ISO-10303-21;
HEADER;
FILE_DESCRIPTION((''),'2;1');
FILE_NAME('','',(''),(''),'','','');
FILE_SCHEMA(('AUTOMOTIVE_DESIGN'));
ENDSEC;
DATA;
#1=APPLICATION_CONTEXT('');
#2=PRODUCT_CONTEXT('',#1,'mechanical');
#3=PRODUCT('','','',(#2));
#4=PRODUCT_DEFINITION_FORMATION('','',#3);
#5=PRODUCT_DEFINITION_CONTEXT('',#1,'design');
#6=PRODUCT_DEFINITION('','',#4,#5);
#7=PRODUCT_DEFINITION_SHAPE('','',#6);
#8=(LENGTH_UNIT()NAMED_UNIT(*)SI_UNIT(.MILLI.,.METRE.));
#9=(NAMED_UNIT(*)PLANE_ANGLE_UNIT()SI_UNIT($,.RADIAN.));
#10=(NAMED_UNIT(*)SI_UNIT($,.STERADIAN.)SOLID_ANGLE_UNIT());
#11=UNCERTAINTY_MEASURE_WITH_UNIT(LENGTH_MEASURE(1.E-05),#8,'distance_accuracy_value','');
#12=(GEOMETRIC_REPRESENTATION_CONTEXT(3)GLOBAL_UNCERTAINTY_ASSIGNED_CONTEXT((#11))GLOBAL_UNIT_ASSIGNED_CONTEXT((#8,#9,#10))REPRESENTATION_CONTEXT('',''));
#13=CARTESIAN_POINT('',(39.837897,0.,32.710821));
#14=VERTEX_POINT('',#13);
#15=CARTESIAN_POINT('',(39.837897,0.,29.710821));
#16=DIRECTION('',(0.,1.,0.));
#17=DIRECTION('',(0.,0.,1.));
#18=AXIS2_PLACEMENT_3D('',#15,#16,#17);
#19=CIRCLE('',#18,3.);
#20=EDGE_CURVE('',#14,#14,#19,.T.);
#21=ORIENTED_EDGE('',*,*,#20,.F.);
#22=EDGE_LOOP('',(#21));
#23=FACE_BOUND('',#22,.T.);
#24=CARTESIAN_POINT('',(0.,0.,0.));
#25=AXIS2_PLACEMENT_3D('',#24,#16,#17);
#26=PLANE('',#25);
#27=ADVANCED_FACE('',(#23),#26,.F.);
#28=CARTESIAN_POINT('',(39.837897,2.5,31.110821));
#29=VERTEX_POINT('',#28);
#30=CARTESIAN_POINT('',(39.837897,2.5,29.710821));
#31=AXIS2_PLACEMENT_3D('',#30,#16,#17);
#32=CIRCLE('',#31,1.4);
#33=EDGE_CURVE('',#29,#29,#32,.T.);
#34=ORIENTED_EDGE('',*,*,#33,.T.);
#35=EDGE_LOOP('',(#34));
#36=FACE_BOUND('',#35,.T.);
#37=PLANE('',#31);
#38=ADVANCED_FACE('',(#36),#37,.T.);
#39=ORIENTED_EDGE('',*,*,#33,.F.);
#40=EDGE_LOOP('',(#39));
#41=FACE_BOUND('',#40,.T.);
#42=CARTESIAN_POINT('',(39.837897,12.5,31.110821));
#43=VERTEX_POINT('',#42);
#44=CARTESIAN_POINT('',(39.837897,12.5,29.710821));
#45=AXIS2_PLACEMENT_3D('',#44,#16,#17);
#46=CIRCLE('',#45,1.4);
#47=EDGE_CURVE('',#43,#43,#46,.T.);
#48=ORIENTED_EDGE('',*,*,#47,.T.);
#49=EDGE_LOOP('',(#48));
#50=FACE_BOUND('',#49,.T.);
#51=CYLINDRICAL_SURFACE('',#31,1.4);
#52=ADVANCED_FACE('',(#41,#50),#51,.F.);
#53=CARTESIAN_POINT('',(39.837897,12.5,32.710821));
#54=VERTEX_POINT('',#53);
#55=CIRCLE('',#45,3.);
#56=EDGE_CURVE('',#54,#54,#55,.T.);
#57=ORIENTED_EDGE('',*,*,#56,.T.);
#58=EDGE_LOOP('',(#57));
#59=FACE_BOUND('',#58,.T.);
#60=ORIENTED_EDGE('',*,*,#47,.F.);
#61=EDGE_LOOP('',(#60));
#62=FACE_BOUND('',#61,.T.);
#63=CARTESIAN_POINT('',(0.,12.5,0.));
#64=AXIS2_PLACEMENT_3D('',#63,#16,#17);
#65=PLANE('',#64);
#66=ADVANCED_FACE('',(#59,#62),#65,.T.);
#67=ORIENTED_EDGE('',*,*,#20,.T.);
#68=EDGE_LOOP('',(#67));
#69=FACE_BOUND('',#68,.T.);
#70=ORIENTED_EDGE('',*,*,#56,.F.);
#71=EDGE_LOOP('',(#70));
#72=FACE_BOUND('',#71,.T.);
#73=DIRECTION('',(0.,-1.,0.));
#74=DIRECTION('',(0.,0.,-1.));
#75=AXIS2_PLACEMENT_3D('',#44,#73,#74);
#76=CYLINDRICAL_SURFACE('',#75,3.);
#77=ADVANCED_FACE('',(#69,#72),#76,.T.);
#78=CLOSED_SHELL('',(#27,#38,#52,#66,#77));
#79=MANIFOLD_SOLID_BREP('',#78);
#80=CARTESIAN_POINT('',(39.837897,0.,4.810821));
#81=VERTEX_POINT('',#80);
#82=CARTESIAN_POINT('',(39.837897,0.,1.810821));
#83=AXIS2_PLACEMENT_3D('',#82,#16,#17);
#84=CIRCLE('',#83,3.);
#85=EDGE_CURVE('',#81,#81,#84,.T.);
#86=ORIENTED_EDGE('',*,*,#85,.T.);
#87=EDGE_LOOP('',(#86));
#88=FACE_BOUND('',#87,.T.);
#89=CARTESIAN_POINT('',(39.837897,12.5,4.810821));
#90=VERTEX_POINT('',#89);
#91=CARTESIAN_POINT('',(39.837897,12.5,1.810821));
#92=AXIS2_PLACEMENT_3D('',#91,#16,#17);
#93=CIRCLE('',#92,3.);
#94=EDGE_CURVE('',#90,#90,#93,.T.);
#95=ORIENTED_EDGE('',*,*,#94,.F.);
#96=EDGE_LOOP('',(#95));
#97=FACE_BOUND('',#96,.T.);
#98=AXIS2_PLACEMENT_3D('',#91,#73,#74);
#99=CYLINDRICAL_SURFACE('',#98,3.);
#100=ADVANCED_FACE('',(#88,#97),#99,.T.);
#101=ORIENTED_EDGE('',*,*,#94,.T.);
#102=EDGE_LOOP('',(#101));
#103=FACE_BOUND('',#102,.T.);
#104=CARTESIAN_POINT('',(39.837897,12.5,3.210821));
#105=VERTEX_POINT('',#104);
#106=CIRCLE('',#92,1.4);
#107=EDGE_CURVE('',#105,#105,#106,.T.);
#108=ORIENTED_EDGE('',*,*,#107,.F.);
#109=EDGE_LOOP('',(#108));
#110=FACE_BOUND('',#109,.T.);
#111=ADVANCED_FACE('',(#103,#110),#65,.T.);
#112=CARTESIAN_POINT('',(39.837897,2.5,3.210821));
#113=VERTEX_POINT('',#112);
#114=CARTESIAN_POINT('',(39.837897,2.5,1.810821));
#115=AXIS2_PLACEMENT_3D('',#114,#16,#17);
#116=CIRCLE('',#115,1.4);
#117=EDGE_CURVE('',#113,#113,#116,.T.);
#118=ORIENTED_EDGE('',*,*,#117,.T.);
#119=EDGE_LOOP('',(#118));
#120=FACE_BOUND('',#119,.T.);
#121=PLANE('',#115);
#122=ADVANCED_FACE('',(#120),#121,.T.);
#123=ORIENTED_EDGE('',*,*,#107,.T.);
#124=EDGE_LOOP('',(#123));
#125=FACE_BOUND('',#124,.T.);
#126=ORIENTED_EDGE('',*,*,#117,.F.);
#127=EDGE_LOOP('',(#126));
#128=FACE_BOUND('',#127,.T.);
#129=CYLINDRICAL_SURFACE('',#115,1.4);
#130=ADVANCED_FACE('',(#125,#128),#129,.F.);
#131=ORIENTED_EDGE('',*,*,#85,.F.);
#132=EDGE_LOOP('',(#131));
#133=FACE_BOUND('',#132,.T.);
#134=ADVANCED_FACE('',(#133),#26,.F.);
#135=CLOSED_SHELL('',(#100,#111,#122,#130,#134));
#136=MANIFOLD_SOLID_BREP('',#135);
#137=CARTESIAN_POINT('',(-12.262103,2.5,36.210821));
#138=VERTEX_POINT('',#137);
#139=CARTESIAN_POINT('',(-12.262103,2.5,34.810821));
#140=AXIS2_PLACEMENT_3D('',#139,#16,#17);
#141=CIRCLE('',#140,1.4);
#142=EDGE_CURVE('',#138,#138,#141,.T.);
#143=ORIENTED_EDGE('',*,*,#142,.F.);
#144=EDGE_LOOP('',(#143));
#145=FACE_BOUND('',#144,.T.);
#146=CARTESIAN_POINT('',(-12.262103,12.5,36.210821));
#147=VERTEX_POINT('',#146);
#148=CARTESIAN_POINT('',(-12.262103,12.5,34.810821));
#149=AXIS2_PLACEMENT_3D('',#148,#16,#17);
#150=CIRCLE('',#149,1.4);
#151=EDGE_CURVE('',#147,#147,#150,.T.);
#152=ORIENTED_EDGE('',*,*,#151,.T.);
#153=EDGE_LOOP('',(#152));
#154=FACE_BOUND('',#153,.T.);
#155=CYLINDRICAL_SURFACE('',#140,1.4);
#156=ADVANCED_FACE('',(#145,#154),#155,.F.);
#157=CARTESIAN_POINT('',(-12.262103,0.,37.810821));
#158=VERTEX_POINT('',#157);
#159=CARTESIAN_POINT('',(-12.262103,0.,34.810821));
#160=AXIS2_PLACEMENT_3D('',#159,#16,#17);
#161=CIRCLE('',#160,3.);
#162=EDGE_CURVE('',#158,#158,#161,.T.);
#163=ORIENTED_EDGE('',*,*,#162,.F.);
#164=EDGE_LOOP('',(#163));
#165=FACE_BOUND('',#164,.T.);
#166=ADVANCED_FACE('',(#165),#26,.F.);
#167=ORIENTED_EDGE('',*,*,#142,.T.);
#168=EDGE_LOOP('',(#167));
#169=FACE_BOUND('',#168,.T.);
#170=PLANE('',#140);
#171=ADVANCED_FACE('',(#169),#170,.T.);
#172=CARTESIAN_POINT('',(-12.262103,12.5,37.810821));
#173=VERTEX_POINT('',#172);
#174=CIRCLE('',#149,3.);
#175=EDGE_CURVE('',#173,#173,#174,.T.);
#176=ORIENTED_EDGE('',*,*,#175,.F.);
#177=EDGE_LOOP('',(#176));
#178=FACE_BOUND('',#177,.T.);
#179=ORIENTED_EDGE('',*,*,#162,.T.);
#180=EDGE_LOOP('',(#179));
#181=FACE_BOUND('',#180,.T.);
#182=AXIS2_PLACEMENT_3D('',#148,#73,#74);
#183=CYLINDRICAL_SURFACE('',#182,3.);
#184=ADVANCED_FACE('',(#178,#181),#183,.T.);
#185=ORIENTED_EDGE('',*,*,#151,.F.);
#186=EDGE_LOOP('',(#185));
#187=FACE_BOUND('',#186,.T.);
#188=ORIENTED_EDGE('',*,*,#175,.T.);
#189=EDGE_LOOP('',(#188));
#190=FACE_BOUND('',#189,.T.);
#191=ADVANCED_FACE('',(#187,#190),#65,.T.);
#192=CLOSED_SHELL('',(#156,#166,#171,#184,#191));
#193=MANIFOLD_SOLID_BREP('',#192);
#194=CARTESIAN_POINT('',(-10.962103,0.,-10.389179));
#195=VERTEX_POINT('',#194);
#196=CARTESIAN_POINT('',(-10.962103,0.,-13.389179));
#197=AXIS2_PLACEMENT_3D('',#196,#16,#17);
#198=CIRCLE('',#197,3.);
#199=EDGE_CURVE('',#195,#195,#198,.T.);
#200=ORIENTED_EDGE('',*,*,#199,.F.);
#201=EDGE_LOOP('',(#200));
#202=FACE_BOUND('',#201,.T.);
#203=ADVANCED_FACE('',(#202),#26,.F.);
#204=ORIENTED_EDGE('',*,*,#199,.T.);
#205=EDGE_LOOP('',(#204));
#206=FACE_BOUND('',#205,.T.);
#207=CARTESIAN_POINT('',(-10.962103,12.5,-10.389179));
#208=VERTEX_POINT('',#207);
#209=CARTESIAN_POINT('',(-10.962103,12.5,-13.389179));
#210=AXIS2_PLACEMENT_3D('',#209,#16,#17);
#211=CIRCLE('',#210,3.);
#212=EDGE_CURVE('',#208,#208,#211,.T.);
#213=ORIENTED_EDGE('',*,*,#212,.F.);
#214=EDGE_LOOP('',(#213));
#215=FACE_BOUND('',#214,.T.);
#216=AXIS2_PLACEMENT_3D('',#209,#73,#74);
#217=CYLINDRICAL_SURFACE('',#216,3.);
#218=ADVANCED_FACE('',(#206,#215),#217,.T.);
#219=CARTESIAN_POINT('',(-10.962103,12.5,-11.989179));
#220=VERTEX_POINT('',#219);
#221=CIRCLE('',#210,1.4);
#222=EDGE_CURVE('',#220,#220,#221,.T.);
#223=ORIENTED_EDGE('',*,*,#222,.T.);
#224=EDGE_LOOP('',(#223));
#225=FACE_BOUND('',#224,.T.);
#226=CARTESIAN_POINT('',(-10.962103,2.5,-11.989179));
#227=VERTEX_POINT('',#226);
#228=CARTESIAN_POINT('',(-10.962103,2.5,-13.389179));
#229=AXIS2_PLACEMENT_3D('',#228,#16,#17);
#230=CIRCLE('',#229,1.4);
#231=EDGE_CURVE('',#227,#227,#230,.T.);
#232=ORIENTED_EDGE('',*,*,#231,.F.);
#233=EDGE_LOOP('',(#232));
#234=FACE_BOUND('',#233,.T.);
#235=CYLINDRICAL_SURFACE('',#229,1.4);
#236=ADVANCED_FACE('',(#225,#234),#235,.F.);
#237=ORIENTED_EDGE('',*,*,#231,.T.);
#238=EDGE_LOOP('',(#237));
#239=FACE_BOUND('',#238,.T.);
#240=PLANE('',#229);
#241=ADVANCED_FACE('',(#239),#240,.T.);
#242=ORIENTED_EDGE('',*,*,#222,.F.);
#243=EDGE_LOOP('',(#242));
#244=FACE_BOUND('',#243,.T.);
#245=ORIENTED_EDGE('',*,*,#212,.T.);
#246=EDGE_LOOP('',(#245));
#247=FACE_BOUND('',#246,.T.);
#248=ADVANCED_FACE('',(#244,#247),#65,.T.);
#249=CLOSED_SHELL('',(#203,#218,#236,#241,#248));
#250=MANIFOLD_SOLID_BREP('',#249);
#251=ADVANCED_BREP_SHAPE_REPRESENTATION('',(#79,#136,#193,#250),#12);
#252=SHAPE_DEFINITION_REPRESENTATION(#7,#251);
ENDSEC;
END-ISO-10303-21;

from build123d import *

# Parameters (mm, degrees)
SKETCH1_R             = 3
BOSS_EXTRUDE1_DEPTH   = 12.5
BOSS_EXTRUDE1_2_DEPTH = 12.5
BOSS_EXTRUDE1_3_DEPTH = 12.5
BOSS_EXTRUDE1_4_DEPTH = 12.5
SKETCH2_R             = 1.4
CUT_EXTRUDE1_DEPTH    = 10


with BuildPart() as part:
    # Sketch1 → Boss-Extrude1 (new body)
    with BuildSketch(Plane(origin=(0, 0, 0), x_dir=(1, 0, 0), z_dir=(0, 1, 0))):
        with Locations(Location((-10.962103361, 13.389179446, 0), (0, 0, 270))):
            Circle(SKETCH1_R)
    extrude(amount=BOSS_EXTRUDE1_DEPTH)


with BuildPart() as body_2:
    # Sketch1 → Boss-Extrude1 2 (new body)
    with BuildSketch(Plane(origin=(0, 0, 0), x_dir=(1, 0, 0), z_dir=(0, 1, 0))):
        with Locations(Location((-12.262103361, -34.810820554, 0), (0, 0, 270))):
            Circle(SKETCH1_R)
    extrude(amount=BOSS_EXTRUDE1_2_DEPTH)


with BuildPart() as body_3:
    # Sketch1 → Boss-Extrude1 3 (new body)
    with BuildSketch(Plane(origin=(0, 0, 0), x_dir=(1, 0, 0), z_dir=(0, 1, 0))):
        with Locations(Location((39.837896639, -29.710820554, 0), (0, 0, 270))):
            Circle(SKETCH1_R)
    extrude(amount=BOSS_EXTRUDE1_3_DEPTH)


with BuildPart() as body_4:
    # Sketch1 → Boss-Extrude1 4 (new body)
    with BuildSketch(Plane(origin=(0, 0, 0), x_dir=(1, 0, 0), z_dir=(0, 1, 0))):
        with Locations(Location((39.837896639, -1.810820554, 0), (0, 0, 270))):
            Circle(SKETCH1_R)
    extrude(amount=BOSS_EXTRUDE1_4_DEPTH)


with BuildPart() as cut_extrude1_tool:
    # Sketch2 → Cut-Extrude1 (new body)
    with BuildSketch(Plane(origin=(0, 12.5, 0), x_dir=(1, 0, 0), z_dir=(0, 1, 0))):
        with Locations(Location((-10.962103361, 13.389179446, 0), (0, 0, 270))):
            Circle(SKETCH2_R)
        with Locations(Location((39.837896639, -1.810820554, 0), (0, 0, 270))):
            Circle(SKETCH2_R)
        with Locations(Location((39.837896639, -29.710820554, 0), (0, 0, 270))):
            Circle(SKETCH2_R)
        with Locations(Location((-12.262103361, -34.810820554, 0), (0, 0, 270))):
            Circle(SKETCH2_R)
    extrude(amount=-CUT_EXTRUDE1_DEPTH)


with BuildPart() as part_1:
    add(part.part)

    # Cut-Extrude1: cut by cut_extrude1_tool
    add(cut_extrude1_tool.part, mode=Mode.SUBTRACT)


with BuildPart() as body_2_1:
    add(body_2.part)

    # Cut-Extrude1: cut by cut_extrude1_tool
    add(cut_extrude1_tool.part, mode=Mode.SUBTRACT)


with BuildPart() as body_3_1:
    add(body_3.part)

    # Cut-Extrude1: cut by cut_extrude1_tool
    add(cut_extrude1_tool.part, mode=Mode.SUBTRACT)


with BuildPart() as body_4_1:
    add(body_4.part)

    # Cut-Extrude1: cut by cut_extrude1_tool
    add(cut_extrude1_tool.part, mode=Mode.SUBTRACT)


solid = Compound([part_1.part, body_2_1.part, body_3_1.part, body_4_1.part])
